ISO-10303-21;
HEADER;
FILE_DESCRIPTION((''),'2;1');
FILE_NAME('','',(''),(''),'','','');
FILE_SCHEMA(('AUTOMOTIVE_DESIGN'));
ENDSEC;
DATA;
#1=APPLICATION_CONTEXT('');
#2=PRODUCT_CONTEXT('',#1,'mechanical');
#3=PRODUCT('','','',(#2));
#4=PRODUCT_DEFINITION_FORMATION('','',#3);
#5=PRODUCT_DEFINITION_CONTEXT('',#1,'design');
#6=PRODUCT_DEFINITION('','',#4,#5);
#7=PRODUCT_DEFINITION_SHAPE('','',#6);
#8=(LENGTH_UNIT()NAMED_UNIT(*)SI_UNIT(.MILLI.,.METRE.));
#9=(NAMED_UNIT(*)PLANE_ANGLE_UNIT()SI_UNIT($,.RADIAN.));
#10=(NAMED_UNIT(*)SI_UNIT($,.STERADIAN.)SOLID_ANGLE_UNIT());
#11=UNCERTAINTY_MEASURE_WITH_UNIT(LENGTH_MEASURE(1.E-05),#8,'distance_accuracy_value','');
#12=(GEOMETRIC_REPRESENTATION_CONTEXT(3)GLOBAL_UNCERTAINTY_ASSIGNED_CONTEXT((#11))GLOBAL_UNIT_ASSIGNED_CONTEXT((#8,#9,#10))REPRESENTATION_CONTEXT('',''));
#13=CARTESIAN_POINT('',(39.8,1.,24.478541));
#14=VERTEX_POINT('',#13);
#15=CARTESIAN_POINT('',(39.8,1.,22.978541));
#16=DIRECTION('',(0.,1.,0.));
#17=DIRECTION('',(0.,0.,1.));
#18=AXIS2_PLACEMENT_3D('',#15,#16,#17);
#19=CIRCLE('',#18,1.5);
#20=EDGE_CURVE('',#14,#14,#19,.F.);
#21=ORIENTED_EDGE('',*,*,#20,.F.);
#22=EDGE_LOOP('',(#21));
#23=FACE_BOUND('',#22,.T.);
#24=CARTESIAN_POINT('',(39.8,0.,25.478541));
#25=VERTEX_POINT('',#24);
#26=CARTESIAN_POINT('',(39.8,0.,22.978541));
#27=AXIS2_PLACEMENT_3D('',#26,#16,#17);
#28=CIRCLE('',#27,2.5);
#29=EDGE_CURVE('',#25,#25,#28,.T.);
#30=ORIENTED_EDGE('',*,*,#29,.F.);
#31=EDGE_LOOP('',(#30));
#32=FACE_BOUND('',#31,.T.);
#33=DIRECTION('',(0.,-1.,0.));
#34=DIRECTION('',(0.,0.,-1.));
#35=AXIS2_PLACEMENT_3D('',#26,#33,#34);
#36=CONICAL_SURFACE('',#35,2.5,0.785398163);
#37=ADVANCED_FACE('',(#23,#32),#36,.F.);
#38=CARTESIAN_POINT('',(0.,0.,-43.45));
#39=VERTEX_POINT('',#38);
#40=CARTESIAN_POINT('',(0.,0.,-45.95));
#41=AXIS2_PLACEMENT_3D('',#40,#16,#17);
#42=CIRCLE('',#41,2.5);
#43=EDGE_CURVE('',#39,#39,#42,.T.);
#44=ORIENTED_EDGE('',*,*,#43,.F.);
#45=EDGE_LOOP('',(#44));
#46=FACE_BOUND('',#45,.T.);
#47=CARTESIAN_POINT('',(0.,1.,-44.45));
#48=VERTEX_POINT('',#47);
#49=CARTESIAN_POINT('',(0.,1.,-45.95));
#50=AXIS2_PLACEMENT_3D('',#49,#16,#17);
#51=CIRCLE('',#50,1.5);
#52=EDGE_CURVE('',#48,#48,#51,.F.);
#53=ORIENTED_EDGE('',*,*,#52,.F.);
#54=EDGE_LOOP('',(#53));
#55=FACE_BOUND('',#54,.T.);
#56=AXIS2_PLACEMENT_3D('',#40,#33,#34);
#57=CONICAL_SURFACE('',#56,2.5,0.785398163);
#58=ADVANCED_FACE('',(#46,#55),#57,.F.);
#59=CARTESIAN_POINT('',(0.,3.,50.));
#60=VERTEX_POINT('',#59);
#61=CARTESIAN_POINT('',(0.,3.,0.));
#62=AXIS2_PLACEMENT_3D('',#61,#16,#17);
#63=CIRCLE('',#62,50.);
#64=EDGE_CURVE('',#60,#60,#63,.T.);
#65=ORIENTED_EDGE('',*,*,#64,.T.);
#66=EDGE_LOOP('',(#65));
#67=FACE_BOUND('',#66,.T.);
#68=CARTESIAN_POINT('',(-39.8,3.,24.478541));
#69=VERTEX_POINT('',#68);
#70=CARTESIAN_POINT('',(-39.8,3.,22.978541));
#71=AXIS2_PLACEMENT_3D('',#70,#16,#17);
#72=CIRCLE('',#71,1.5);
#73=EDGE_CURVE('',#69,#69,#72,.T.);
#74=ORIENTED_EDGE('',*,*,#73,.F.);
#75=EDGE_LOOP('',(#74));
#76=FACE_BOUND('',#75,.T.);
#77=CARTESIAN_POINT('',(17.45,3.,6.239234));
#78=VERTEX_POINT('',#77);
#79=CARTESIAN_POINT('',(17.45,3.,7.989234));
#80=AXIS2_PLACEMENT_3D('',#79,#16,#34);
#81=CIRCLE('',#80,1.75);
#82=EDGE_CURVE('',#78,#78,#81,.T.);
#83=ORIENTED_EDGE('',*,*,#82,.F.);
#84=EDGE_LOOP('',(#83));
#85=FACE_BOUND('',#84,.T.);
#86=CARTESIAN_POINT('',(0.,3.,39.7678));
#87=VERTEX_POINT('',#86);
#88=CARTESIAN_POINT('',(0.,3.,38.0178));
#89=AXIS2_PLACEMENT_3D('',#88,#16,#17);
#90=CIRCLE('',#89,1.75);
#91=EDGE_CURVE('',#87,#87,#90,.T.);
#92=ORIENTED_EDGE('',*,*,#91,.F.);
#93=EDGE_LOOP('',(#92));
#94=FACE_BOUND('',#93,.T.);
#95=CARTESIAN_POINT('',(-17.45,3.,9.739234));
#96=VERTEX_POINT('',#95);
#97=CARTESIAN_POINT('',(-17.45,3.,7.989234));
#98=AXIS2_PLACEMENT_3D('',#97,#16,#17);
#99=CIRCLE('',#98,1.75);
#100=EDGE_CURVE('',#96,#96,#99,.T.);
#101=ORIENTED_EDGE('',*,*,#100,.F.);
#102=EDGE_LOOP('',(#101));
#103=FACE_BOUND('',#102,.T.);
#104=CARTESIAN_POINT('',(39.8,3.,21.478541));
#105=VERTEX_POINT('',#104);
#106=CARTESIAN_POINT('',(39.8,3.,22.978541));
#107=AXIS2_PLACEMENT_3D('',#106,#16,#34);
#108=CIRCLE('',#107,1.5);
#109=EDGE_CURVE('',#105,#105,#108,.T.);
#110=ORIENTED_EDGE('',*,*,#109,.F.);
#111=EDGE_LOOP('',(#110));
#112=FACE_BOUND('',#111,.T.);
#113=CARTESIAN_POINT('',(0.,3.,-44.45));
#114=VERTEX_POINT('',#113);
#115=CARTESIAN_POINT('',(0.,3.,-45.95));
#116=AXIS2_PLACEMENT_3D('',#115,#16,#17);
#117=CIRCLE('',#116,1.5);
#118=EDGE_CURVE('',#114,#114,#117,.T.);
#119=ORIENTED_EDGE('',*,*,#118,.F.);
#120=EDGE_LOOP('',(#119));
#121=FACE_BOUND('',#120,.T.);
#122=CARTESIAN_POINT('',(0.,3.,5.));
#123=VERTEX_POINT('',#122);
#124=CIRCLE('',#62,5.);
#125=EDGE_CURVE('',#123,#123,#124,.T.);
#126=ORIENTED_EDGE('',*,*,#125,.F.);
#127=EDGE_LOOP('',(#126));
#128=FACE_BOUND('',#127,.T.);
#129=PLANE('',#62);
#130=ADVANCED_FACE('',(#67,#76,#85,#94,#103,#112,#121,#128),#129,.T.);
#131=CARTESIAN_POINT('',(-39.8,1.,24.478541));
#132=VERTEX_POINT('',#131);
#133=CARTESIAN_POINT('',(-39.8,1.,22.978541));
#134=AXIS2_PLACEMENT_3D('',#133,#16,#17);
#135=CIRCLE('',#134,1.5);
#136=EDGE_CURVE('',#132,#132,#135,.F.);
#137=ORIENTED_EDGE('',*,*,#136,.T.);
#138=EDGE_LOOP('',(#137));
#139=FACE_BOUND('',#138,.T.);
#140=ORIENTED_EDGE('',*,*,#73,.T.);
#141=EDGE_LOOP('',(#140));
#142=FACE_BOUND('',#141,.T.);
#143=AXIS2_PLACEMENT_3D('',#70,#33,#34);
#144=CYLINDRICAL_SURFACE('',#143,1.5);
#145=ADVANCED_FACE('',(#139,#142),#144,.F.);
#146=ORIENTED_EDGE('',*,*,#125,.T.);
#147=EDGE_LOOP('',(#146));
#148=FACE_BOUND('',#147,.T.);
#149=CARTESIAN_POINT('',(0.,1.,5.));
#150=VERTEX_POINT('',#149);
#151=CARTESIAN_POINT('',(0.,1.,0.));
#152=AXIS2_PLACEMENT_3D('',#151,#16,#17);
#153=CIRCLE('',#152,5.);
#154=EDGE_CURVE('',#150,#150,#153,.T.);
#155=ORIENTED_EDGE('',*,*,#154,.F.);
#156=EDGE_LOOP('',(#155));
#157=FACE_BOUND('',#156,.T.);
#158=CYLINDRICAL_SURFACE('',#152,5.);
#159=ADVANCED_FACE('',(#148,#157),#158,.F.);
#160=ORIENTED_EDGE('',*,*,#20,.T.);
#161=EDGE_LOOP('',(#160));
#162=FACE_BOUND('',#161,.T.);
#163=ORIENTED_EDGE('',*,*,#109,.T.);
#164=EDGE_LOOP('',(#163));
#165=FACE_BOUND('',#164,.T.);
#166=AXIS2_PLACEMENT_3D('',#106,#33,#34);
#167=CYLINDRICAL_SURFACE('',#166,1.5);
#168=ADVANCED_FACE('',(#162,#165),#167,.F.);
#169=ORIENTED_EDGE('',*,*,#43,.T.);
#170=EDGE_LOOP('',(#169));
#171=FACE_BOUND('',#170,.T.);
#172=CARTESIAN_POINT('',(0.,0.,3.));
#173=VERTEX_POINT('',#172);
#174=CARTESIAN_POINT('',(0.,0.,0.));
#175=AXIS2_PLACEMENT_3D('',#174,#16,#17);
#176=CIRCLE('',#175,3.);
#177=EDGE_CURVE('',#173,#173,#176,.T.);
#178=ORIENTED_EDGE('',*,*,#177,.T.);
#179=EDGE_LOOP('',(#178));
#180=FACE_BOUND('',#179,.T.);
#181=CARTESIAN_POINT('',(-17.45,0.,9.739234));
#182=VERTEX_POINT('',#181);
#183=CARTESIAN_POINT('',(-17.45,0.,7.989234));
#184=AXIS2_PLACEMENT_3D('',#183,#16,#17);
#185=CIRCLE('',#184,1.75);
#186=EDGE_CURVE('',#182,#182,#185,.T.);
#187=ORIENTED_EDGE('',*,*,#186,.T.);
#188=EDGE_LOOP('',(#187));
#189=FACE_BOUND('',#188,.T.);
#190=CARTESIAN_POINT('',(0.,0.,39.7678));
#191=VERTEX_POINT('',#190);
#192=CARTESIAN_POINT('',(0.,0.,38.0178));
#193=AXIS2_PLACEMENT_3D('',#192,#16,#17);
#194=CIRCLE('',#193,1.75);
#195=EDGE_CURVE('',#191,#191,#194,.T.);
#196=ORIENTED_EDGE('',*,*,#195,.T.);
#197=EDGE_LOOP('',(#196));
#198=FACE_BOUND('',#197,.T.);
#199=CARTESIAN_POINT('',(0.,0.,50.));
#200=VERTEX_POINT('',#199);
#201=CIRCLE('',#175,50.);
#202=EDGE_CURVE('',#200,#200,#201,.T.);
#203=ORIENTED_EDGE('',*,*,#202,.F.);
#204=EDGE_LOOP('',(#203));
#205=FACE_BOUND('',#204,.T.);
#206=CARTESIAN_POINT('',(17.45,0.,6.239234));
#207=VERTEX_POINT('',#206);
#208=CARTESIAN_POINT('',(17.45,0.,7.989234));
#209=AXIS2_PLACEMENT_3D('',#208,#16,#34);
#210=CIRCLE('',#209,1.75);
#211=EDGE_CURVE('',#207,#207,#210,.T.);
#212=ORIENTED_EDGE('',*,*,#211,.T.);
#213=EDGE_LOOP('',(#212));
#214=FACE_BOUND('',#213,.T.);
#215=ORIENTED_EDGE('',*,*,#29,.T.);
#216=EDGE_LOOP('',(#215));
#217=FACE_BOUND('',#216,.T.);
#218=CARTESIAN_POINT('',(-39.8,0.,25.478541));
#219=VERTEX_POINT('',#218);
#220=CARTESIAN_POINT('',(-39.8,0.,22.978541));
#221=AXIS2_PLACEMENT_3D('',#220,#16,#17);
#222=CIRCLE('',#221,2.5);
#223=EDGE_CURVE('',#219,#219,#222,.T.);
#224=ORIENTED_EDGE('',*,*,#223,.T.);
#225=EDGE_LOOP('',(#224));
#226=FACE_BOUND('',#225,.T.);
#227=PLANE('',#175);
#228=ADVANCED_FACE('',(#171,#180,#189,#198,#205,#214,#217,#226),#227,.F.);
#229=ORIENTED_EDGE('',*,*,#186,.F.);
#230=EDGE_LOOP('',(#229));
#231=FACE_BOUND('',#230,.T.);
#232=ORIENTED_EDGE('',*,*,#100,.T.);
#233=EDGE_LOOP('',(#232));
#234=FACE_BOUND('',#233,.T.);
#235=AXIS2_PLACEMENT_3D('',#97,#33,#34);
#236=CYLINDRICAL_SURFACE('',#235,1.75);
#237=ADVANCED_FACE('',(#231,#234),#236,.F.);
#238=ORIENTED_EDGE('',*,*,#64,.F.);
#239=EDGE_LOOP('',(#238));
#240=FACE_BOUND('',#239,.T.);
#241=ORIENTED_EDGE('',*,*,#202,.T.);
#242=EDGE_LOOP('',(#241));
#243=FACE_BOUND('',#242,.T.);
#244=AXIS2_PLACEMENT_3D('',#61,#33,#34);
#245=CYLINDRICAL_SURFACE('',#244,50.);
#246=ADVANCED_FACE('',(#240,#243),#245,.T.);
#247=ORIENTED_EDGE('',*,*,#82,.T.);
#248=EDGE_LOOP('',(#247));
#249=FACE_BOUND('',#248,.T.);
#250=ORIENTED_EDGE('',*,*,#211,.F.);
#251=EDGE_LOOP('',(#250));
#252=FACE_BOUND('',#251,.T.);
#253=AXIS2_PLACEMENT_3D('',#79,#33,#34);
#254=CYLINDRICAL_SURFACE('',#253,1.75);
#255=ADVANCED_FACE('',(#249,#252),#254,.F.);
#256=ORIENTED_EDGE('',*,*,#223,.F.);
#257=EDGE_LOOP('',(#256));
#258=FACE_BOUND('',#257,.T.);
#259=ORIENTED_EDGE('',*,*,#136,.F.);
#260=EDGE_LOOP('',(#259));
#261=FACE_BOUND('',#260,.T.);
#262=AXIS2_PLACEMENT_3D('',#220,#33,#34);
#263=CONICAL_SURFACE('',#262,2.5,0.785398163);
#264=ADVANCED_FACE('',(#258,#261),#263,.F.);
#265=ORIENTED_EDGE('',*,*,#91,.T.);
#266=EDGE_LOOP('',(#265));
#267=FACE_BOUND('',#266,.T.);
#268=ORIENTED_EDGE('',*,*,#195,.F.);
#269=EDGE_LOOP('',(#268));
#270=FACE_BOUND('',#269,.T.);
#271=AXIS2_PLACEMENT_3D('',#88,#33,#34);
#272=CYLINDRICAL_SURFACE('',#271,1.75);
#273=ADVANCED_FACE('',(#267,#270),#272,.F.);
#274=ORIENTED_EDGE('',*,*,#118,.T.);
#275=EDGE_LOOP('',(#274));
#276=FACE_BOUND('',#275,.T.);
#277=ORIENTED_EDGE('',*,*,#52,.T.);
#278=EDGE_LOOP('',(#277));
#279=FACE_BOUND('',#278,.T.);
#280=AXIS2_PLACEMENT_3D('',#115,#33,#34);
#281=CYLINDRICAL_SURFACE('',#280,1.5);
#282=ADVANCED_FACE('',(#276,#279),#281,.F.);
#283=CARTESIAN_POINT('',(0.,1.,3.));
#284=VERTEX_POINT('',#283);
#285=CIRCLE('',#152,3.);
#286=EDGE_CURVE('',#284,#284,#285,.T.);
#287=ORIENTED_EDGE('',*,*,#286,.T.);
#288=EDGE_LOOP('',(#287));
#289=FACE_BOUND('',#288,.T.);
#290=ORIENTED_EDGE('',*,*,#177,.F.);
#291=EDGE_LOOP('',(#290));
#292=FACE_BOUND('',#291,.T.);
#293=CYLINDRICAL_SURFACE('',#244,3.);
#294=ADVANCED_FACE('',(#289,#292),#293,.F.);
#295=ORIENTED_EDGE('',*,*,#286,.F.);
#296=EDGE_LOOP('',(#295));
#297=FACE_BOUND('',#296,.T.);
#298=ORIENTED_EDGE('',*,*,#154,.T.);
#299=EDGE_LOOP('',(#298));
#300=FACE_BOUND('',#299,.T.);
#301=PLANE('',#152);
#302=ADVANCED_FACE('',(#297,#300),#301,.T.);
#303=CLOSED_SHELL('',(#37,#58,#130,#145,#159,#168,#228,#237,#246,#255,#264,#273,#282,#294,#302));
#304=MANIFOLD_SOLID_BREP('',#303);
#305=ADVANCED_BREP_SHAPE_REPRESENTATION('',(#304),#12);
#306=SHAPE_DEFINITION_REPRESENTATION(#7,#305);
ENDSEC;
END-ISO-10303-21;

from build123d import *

# Parameters (mm, degrees)
SKETCH1_R           = 50
SKETCH1_R_2         = 3
SKETCH1_R_3         = 1.5
SKETCH1_R_4         = 1.75
BOSS_EXTRUDE1_DEPTH = 3
SKETCH2_R           = 5
CUT_EXTRUDE1_DEPTH  = 2
CHAMFER1_SIZE       = 1


with BuildPart() as part:
    # Sketch1 → Boss-Extrude1 (new body)
    with BuildSketch(Plane(origin=(0, 0, 0), x_dir=(1, 0, 0), z_dir=(0, 1, 0))):
        with Locations(Location((0, 0, 0), (0, 0, 270))):
            Circle(SKETCH1_R)
        with Locations(Location((0, 0, 0), (0, 0, 270))):
            Circle(SKETCH1_R_2, mode=Mode.SUBTRACT)
        with Locations(Location((-39.8, -22.978540714, 0), (0, 0, 270))):
            Circle(SKETCH1_R_3, mode=Mode.SUBTRACT)
        with Locations(Location((-17.45, -7.989233767, 0), (0, 0, 270))):
            Circle(SKETCH1_R_4, mode=Mode.SUBTRACT)
        with Locations(Location((0, 45.95, 0), (0, 0, 270))):
            Circle(SKETCH1_R_3, mode=Mode.SUBTRACT)
        with Locations(Location((0, -38.0178, 0), (0, 0, 270))):
            Circle(SKETCH1_R_4, mode=Mode.SUBTRACT)
        with Locations(Location((39.8, -22.978540714, 0), (0, 0, 90))):
            Circle(SKETCH1_R_3, mode=Mode.SUBTRACT)
        with Locations(Location((17.45, -7.989233767, 0), (0, 0, 90))):
            Circle(SKETCH1_R_4, mode=Mode.SUBTRACT)
    extrude(amount=BOSS_EXTRUDE1_DEPTH)

    # Sketch2 → Cut-Extrude1 (cut)
    with BuildSketch(Plane(origin=(0, 3, 0), x_dir=(1, 0, 0), z_dir=(0, 1, 0))):
        with Locations(Location((0, 0, 0), (0, 0, 270))):
            Circle(SKETCH2_R)
    extrude(amount=-CUT_EXTRUDE1_DEPTH, mode=Mode.SUBTRACT)

    # Chamfer1
    chamfer1_edges = [part.edges().sort_by_distance(p)[0] for p in [
        (0, 0, -47.45),
        (39.8, 0, 24.478540714),
        (-39.8, 0, 21.478540714),
    ]]
    chamfer(chamfer1_edges, length=CHAMFER1_SIZE)


solid = part.part
